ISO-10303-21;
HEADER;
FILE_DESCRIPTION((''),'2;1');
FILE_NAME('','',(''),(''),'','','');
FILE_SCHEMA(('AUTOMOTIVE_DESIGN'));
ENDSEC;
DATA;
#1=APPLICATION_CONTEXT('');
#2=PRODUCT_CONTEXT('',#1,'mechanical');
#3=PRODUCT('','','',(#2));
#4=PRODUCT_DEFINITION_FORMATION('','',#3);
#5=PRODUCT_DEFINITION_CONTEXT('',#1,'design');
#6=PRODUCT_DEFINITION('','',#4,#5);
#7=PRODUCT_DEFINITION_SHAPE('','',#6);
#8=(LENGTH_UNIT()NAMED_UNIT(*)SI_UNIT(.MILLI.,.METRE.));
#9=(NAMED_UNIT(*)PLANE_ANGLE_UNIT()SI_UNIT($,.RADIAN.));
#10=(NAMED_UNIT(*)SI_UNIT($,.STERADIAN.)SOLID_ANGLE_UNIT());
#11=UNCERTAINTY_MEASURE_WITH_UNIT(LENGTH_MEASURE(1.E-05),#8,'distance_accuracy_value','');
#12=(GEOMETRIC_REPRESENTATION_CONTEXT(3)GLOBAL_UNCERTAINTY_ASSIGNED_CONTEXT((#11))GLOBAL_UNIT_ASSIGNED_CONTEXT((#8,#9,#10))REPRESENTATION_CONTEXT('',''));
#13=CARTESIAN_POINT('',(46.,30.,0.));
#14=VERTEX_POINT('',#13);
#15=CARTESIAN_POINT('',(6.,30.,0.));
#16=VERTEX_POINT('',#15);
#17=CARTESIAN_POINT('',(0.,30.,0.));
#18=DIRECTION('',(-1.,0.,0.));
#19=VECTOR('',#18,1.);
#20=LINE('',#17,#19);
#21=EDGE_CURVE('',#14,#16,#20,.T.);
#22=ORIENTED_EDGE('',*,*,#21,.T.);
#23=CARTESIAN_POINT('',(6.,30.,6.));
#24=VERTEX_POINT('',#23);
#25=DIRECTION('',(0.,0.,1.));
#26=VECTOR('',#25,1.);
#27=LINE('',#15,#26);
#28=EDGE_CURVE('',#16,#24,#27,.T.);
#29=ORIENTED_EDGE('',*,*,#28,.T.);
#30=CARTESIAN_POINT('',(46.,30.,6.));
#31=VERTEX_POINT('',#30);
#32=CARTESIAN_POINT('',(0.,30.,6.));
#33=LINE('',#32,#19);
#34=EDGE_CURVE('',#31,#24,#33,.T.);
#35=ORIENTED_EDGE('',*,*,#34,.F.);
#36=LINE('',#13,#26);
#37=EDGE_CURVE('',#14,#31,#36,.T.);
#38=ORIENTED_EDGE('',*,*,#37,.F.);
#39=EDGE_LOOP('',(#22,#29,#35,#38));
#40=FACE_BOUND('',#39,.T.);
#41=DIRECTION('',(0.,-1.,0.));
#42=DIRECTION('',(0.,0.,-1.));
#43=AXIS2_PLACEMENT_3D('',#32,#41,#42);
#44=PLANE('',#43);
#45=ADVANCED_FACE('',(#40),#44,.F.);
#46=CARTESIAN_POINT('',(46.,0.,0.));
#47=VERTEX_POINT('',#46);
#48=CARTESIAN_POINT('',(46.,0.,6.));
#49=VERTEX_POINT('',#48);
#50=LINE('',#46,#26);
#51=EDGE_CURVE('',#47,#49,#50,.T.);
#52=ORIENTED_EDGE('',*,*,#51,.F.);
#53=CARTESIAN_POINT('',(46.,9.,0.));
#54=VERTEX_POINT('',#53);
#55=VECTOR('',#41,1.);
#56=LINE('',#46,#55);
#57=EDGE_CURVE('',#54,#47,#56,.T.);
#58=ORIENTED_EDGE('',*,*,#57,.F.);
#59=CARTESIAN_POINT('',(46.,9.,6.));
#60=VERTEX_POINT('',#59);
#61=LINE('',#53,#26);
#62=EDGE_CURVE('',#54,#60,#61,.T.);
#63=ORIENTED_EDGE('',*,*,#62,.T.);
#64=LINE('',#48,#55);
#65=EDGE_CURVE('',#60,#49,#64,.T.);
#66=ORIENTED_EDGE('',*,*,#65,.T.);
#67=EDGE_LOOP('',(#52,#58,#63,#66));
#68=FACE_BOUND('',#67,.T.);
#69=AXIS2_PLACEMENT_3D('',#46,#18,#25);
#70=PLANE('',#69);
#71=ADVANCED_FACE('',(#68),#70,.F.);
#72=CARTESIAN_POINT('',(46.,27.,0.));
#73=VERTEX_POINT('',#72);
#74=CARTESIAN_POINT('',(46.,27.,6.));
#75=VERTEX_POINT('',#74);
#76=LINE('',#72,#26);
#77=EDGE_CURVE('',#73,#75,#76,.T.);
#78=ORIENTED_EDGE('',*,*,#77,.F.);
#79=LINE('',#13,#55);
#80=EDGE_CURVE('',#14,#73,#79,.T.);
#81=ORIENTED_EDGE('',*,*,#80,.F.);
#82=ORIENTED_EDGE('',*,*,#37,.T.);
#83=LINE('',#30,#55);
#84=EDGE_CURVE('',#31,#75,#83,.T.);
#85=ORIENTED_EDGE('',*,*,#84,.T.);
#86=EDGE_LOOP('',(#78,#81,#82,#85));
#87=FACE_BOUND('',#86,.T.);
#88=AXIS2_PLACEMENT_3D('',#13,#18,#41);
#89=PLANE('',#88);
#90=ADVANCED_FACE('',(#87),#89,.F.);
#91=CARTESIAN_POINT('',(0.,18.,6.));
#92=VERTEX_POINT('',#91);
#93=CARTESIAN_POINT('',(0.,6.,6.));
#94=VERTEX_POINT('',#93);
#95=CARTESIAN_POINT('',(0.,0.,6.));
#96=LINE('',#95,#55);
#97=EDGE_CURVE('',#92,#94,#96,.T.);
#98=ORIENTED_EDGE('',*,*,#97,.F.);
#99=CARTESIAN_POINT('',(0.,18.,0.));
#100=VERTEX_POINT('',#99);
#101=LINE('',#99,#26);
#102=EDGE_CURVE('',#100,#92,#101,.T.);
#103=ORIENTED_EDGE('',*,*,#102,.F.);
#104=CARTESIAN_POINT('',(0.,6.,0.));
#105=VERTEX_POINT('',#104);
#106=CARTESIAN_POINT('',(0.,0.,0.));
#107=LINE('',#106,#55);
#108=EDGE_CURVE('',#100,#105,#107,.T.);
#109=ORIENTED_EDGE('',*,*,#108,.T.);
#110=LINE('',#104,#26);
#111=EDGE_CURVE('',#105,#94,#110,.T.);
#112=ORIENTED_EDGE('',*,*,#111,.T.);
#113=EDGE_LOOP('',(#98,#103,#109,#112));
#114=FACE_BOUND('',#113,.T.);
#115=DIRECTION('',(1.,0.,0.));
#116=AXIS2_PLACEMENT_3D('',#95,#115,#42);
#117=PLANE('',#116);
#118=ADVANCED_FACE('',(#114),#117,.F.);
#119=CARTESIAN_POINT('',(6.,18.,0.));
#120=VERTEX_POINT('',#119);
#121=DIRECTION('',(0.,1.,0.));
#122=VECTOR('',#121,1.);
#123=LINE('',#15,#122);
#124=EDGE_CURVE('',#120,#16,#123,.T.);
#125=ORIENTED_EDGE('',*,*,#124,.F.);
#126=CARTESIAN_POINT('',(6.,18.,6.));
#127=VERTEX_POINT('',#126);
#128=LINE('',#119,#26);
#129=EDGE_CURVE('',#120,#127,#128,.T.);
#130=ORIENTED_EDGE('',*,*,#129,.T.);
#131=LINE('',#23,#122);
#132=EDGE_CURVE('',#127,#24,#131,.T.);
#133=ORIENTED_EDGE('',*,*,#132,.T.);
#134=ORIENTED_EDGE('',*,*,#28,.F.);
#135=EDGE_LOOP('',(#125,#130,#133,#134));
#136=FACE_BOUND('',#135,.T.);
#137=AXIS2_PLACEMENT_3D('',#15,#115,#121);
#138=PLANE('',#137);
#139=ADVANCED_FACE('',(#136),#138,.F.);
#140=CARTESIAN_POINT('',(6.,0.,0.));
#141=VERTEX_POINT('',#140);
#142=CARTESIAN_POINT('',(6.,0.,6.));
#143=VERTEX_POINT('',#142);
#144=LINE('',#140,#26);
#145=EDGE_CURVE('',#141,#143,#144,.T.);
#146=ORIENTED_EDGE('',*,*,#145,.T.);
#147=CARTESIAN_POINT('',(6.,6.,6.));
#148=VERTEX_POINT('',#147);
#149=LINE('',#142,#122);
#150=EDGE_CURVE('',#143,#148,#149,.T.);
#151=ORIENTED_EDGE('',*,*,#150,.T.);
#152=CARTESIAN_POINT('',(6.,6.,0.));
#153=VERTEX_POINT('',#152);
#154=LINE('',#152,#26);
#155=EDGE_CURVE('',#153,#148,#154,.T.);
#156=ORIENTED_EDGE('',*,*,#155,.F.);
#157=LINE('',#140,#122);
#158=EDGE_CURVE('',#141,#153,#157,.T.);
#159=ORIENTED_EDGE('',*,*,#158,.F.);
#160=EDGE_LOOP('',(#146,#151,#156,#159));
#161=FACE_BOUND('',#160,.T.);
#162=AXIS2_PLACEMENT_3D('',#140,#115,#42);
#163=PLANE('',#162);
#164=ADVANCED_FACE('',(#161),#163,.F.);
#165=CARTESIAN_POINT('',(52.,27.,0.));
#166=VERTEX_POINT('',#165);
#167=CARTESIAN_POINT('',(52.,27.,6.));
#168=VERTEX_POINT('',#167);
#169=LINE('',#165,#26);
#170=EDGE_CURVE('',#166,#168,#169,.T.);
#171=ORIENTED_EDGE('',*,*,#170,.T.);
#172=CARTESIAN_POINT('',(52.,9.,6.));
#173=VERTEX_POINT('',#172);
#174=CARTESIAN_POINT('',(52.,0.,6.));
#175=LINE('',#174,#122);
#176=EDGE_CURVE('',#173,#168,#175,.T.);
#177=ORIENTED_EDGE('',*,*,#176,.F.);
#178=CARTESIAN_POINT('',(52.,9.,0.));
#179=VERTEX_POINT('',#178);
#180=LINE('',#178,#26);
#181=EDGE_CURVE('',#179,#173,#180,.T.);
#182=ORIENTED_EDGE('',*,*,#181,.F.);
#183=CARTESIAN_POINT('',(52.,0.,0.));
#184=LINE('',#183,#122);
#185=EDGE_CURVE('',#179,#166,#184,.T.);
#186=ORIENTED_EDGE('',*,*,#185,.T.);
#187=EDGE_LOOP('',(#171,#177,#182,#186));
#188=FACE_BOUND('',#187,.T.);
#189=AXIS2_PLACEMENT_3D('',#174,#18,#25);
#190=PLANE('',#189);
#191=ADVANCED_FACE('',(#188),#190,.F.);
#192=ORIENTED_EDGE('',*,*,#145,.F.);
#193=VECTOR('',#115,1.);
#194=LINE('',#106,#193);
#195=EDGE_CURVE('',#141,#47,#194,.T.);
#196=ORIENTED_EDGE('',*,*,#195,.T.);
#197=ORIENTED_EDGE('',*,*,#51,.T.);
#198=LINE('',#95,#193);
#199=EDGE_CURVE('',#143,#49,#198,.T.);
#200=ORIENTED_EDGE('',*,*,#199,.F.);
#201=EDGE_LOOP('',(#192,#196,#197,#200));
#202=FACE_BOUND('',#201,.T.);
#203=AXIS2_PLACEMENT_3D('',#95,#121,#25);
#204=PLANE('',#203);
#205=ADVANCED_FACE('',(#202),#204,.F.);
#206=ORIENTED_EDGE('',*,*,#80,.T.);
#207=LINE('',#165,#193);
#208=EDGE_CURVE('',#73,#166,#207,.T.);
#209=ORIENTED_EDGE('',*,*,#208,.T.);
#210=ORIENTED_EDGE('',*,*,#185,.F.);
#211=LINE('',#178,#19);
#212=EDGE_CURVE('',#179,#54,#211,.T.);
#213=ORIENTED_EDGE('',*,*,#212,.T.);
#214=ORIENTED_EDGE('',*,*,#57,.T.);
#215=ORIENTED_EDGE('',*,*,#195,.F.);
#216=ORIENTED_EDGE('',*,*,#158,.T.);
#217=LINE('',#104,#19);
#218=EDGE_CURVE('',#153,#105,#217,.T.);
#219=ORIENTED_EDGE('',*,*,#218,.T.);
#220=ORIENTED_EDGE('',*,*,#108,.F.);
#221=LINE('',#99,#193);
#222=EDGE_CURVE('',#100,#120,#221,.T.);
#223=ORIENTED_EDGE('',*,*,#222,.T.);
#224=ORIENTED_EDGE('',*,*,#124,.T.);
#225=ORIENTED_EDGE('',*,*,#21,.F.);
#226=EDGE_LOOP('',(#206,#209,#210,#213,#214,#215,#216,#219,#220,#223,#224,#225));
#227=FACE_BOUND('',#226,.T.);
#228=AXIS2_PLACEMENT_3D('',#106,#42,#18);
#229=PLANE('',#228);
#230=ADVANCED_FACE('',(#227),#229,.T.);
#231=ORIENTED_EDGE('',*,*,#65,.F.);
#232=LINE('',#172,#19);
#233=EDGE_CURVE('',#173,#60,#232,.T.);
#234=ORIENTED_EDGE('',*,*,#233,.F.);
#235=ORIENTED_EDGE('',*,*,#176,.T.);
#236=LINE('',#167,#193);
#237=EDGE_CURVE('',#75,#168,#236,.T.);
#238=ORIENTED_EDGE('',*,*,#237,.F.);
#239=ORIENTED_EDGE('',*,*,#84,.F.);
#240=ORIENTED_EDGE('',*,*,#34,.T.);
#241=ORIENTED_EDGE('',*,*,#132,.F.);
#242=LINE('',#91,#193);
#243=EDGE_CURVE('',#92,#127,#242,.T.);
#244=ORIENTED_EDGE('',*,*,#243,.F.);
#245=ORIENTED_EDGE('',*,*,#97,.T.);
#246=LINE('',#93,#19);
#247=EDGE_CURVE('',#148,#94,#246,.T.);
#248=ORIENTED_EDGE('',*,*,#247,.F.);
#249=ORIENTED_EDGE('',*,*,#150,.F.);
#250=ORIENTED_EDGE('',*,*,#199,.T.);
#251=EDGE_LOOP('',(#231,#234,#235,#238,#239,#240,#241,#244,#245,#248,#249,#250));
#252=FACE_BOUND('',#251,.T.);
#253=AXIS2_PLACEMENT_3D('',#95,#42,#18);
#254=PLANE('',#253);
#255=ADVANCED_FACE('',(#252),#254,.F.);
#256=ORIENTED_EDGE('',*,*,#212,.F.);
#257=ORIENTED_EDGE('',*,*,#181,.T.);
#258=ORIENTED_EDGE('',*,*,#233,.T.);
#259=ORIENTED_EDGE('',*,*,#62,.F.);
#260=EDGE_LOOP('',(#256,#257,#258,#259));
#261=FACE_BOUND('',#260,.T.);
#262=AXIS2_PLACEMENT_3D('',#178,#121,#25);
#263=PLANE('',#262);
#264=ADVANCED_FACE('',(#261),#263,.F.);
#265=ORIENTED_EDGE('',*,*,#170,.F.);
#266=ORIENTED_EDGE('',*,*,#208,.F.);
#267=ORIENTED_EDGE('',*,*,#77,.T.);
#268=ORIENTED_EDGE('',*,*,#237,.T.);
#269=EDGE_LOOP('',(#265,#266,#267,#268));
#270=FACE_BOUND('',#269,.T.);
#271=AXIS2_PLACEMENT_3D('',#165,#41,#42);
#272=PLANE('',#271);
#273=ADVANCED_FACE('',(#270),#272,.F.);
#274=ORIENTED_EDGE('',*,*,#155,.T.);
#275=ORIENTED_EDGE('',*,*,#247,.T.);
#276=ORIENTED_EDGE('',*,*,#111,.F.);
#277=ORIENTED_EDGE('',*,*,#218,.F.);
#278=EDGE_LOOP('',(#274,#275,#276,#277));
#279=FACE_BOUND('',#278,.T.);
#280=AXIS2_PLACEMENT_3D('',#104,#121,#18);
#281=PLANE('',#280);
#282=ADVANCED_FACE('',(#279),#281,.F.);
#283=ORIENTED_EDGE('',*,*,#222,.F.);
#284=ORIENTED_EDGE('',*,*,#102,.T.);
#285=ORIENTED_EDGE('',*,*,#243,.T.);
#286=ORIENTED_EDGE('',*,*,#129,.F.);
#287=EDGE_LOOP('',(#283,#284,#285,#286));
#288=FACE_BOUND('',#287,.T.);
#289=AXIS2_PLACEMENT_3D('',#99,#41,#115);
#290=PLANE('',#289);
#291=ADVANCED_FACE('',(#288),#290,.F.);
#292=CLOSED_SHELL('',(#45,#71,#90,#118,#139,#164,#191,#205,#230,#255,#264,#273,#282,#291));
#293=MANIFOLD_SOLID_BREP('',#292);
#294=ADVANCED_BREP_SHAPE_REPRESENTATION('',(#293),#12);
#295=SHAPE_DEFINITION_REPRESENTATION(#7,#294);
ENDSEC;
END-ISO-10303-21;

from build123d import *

# Parameters (mm, degrees)
ESQUISSE1_W             = 52
ESQUISSE1_H             = 30
BOSS_EXTRU_1_DEPTH      = 6
ESQUISSE2_W             = 6
ESQUISSE2_H             = 3
ESQUISSE2_H_2           = 9
ESQUISSE2_H_3           = 12
ESQUISSE2_H_4           = 6
ENL_V_MAT_EXTRU_1_DEPTH = 61.332412516


with BuildPart() as part:
    # Esquisse1 → Boss.-Extru.1 (new body)
    with BuildSketch(Plane.XY):
        with Locations((26, 15)):
            Rectangle(ESQUISSE1_W, ESQUISSE1_H)
    extrude(amount=BOSS_EXTRU_1_DEPTH)

    # Esquisse2 → Enlèv. mat.-Extru.1 (cut, through all)
    with BuildSketch(Plane.XY.offset(6)):
        with Locations((49, 28.5)):
            Rectangle(ESQUISSE2_W, ESQUISSE2_H)
        with Locations((49, 4.5)):
            Rectangle(ESQUISSE2_W, ESQUISSE2_H_2)
        with Locations((3, 24)):
            Rectangle(ESQUISSE2_W, ESQUISSE2_H_3)
        with Locations((3, 3)):
            Rectangle(ESQUISSE2_W, ESQUISSE2_H_4)
    extrude(amount=-ENL_V_MAT_EXTRU_1_DEPTH, mode=Mode.SUBTRACT)


solid = part.part
